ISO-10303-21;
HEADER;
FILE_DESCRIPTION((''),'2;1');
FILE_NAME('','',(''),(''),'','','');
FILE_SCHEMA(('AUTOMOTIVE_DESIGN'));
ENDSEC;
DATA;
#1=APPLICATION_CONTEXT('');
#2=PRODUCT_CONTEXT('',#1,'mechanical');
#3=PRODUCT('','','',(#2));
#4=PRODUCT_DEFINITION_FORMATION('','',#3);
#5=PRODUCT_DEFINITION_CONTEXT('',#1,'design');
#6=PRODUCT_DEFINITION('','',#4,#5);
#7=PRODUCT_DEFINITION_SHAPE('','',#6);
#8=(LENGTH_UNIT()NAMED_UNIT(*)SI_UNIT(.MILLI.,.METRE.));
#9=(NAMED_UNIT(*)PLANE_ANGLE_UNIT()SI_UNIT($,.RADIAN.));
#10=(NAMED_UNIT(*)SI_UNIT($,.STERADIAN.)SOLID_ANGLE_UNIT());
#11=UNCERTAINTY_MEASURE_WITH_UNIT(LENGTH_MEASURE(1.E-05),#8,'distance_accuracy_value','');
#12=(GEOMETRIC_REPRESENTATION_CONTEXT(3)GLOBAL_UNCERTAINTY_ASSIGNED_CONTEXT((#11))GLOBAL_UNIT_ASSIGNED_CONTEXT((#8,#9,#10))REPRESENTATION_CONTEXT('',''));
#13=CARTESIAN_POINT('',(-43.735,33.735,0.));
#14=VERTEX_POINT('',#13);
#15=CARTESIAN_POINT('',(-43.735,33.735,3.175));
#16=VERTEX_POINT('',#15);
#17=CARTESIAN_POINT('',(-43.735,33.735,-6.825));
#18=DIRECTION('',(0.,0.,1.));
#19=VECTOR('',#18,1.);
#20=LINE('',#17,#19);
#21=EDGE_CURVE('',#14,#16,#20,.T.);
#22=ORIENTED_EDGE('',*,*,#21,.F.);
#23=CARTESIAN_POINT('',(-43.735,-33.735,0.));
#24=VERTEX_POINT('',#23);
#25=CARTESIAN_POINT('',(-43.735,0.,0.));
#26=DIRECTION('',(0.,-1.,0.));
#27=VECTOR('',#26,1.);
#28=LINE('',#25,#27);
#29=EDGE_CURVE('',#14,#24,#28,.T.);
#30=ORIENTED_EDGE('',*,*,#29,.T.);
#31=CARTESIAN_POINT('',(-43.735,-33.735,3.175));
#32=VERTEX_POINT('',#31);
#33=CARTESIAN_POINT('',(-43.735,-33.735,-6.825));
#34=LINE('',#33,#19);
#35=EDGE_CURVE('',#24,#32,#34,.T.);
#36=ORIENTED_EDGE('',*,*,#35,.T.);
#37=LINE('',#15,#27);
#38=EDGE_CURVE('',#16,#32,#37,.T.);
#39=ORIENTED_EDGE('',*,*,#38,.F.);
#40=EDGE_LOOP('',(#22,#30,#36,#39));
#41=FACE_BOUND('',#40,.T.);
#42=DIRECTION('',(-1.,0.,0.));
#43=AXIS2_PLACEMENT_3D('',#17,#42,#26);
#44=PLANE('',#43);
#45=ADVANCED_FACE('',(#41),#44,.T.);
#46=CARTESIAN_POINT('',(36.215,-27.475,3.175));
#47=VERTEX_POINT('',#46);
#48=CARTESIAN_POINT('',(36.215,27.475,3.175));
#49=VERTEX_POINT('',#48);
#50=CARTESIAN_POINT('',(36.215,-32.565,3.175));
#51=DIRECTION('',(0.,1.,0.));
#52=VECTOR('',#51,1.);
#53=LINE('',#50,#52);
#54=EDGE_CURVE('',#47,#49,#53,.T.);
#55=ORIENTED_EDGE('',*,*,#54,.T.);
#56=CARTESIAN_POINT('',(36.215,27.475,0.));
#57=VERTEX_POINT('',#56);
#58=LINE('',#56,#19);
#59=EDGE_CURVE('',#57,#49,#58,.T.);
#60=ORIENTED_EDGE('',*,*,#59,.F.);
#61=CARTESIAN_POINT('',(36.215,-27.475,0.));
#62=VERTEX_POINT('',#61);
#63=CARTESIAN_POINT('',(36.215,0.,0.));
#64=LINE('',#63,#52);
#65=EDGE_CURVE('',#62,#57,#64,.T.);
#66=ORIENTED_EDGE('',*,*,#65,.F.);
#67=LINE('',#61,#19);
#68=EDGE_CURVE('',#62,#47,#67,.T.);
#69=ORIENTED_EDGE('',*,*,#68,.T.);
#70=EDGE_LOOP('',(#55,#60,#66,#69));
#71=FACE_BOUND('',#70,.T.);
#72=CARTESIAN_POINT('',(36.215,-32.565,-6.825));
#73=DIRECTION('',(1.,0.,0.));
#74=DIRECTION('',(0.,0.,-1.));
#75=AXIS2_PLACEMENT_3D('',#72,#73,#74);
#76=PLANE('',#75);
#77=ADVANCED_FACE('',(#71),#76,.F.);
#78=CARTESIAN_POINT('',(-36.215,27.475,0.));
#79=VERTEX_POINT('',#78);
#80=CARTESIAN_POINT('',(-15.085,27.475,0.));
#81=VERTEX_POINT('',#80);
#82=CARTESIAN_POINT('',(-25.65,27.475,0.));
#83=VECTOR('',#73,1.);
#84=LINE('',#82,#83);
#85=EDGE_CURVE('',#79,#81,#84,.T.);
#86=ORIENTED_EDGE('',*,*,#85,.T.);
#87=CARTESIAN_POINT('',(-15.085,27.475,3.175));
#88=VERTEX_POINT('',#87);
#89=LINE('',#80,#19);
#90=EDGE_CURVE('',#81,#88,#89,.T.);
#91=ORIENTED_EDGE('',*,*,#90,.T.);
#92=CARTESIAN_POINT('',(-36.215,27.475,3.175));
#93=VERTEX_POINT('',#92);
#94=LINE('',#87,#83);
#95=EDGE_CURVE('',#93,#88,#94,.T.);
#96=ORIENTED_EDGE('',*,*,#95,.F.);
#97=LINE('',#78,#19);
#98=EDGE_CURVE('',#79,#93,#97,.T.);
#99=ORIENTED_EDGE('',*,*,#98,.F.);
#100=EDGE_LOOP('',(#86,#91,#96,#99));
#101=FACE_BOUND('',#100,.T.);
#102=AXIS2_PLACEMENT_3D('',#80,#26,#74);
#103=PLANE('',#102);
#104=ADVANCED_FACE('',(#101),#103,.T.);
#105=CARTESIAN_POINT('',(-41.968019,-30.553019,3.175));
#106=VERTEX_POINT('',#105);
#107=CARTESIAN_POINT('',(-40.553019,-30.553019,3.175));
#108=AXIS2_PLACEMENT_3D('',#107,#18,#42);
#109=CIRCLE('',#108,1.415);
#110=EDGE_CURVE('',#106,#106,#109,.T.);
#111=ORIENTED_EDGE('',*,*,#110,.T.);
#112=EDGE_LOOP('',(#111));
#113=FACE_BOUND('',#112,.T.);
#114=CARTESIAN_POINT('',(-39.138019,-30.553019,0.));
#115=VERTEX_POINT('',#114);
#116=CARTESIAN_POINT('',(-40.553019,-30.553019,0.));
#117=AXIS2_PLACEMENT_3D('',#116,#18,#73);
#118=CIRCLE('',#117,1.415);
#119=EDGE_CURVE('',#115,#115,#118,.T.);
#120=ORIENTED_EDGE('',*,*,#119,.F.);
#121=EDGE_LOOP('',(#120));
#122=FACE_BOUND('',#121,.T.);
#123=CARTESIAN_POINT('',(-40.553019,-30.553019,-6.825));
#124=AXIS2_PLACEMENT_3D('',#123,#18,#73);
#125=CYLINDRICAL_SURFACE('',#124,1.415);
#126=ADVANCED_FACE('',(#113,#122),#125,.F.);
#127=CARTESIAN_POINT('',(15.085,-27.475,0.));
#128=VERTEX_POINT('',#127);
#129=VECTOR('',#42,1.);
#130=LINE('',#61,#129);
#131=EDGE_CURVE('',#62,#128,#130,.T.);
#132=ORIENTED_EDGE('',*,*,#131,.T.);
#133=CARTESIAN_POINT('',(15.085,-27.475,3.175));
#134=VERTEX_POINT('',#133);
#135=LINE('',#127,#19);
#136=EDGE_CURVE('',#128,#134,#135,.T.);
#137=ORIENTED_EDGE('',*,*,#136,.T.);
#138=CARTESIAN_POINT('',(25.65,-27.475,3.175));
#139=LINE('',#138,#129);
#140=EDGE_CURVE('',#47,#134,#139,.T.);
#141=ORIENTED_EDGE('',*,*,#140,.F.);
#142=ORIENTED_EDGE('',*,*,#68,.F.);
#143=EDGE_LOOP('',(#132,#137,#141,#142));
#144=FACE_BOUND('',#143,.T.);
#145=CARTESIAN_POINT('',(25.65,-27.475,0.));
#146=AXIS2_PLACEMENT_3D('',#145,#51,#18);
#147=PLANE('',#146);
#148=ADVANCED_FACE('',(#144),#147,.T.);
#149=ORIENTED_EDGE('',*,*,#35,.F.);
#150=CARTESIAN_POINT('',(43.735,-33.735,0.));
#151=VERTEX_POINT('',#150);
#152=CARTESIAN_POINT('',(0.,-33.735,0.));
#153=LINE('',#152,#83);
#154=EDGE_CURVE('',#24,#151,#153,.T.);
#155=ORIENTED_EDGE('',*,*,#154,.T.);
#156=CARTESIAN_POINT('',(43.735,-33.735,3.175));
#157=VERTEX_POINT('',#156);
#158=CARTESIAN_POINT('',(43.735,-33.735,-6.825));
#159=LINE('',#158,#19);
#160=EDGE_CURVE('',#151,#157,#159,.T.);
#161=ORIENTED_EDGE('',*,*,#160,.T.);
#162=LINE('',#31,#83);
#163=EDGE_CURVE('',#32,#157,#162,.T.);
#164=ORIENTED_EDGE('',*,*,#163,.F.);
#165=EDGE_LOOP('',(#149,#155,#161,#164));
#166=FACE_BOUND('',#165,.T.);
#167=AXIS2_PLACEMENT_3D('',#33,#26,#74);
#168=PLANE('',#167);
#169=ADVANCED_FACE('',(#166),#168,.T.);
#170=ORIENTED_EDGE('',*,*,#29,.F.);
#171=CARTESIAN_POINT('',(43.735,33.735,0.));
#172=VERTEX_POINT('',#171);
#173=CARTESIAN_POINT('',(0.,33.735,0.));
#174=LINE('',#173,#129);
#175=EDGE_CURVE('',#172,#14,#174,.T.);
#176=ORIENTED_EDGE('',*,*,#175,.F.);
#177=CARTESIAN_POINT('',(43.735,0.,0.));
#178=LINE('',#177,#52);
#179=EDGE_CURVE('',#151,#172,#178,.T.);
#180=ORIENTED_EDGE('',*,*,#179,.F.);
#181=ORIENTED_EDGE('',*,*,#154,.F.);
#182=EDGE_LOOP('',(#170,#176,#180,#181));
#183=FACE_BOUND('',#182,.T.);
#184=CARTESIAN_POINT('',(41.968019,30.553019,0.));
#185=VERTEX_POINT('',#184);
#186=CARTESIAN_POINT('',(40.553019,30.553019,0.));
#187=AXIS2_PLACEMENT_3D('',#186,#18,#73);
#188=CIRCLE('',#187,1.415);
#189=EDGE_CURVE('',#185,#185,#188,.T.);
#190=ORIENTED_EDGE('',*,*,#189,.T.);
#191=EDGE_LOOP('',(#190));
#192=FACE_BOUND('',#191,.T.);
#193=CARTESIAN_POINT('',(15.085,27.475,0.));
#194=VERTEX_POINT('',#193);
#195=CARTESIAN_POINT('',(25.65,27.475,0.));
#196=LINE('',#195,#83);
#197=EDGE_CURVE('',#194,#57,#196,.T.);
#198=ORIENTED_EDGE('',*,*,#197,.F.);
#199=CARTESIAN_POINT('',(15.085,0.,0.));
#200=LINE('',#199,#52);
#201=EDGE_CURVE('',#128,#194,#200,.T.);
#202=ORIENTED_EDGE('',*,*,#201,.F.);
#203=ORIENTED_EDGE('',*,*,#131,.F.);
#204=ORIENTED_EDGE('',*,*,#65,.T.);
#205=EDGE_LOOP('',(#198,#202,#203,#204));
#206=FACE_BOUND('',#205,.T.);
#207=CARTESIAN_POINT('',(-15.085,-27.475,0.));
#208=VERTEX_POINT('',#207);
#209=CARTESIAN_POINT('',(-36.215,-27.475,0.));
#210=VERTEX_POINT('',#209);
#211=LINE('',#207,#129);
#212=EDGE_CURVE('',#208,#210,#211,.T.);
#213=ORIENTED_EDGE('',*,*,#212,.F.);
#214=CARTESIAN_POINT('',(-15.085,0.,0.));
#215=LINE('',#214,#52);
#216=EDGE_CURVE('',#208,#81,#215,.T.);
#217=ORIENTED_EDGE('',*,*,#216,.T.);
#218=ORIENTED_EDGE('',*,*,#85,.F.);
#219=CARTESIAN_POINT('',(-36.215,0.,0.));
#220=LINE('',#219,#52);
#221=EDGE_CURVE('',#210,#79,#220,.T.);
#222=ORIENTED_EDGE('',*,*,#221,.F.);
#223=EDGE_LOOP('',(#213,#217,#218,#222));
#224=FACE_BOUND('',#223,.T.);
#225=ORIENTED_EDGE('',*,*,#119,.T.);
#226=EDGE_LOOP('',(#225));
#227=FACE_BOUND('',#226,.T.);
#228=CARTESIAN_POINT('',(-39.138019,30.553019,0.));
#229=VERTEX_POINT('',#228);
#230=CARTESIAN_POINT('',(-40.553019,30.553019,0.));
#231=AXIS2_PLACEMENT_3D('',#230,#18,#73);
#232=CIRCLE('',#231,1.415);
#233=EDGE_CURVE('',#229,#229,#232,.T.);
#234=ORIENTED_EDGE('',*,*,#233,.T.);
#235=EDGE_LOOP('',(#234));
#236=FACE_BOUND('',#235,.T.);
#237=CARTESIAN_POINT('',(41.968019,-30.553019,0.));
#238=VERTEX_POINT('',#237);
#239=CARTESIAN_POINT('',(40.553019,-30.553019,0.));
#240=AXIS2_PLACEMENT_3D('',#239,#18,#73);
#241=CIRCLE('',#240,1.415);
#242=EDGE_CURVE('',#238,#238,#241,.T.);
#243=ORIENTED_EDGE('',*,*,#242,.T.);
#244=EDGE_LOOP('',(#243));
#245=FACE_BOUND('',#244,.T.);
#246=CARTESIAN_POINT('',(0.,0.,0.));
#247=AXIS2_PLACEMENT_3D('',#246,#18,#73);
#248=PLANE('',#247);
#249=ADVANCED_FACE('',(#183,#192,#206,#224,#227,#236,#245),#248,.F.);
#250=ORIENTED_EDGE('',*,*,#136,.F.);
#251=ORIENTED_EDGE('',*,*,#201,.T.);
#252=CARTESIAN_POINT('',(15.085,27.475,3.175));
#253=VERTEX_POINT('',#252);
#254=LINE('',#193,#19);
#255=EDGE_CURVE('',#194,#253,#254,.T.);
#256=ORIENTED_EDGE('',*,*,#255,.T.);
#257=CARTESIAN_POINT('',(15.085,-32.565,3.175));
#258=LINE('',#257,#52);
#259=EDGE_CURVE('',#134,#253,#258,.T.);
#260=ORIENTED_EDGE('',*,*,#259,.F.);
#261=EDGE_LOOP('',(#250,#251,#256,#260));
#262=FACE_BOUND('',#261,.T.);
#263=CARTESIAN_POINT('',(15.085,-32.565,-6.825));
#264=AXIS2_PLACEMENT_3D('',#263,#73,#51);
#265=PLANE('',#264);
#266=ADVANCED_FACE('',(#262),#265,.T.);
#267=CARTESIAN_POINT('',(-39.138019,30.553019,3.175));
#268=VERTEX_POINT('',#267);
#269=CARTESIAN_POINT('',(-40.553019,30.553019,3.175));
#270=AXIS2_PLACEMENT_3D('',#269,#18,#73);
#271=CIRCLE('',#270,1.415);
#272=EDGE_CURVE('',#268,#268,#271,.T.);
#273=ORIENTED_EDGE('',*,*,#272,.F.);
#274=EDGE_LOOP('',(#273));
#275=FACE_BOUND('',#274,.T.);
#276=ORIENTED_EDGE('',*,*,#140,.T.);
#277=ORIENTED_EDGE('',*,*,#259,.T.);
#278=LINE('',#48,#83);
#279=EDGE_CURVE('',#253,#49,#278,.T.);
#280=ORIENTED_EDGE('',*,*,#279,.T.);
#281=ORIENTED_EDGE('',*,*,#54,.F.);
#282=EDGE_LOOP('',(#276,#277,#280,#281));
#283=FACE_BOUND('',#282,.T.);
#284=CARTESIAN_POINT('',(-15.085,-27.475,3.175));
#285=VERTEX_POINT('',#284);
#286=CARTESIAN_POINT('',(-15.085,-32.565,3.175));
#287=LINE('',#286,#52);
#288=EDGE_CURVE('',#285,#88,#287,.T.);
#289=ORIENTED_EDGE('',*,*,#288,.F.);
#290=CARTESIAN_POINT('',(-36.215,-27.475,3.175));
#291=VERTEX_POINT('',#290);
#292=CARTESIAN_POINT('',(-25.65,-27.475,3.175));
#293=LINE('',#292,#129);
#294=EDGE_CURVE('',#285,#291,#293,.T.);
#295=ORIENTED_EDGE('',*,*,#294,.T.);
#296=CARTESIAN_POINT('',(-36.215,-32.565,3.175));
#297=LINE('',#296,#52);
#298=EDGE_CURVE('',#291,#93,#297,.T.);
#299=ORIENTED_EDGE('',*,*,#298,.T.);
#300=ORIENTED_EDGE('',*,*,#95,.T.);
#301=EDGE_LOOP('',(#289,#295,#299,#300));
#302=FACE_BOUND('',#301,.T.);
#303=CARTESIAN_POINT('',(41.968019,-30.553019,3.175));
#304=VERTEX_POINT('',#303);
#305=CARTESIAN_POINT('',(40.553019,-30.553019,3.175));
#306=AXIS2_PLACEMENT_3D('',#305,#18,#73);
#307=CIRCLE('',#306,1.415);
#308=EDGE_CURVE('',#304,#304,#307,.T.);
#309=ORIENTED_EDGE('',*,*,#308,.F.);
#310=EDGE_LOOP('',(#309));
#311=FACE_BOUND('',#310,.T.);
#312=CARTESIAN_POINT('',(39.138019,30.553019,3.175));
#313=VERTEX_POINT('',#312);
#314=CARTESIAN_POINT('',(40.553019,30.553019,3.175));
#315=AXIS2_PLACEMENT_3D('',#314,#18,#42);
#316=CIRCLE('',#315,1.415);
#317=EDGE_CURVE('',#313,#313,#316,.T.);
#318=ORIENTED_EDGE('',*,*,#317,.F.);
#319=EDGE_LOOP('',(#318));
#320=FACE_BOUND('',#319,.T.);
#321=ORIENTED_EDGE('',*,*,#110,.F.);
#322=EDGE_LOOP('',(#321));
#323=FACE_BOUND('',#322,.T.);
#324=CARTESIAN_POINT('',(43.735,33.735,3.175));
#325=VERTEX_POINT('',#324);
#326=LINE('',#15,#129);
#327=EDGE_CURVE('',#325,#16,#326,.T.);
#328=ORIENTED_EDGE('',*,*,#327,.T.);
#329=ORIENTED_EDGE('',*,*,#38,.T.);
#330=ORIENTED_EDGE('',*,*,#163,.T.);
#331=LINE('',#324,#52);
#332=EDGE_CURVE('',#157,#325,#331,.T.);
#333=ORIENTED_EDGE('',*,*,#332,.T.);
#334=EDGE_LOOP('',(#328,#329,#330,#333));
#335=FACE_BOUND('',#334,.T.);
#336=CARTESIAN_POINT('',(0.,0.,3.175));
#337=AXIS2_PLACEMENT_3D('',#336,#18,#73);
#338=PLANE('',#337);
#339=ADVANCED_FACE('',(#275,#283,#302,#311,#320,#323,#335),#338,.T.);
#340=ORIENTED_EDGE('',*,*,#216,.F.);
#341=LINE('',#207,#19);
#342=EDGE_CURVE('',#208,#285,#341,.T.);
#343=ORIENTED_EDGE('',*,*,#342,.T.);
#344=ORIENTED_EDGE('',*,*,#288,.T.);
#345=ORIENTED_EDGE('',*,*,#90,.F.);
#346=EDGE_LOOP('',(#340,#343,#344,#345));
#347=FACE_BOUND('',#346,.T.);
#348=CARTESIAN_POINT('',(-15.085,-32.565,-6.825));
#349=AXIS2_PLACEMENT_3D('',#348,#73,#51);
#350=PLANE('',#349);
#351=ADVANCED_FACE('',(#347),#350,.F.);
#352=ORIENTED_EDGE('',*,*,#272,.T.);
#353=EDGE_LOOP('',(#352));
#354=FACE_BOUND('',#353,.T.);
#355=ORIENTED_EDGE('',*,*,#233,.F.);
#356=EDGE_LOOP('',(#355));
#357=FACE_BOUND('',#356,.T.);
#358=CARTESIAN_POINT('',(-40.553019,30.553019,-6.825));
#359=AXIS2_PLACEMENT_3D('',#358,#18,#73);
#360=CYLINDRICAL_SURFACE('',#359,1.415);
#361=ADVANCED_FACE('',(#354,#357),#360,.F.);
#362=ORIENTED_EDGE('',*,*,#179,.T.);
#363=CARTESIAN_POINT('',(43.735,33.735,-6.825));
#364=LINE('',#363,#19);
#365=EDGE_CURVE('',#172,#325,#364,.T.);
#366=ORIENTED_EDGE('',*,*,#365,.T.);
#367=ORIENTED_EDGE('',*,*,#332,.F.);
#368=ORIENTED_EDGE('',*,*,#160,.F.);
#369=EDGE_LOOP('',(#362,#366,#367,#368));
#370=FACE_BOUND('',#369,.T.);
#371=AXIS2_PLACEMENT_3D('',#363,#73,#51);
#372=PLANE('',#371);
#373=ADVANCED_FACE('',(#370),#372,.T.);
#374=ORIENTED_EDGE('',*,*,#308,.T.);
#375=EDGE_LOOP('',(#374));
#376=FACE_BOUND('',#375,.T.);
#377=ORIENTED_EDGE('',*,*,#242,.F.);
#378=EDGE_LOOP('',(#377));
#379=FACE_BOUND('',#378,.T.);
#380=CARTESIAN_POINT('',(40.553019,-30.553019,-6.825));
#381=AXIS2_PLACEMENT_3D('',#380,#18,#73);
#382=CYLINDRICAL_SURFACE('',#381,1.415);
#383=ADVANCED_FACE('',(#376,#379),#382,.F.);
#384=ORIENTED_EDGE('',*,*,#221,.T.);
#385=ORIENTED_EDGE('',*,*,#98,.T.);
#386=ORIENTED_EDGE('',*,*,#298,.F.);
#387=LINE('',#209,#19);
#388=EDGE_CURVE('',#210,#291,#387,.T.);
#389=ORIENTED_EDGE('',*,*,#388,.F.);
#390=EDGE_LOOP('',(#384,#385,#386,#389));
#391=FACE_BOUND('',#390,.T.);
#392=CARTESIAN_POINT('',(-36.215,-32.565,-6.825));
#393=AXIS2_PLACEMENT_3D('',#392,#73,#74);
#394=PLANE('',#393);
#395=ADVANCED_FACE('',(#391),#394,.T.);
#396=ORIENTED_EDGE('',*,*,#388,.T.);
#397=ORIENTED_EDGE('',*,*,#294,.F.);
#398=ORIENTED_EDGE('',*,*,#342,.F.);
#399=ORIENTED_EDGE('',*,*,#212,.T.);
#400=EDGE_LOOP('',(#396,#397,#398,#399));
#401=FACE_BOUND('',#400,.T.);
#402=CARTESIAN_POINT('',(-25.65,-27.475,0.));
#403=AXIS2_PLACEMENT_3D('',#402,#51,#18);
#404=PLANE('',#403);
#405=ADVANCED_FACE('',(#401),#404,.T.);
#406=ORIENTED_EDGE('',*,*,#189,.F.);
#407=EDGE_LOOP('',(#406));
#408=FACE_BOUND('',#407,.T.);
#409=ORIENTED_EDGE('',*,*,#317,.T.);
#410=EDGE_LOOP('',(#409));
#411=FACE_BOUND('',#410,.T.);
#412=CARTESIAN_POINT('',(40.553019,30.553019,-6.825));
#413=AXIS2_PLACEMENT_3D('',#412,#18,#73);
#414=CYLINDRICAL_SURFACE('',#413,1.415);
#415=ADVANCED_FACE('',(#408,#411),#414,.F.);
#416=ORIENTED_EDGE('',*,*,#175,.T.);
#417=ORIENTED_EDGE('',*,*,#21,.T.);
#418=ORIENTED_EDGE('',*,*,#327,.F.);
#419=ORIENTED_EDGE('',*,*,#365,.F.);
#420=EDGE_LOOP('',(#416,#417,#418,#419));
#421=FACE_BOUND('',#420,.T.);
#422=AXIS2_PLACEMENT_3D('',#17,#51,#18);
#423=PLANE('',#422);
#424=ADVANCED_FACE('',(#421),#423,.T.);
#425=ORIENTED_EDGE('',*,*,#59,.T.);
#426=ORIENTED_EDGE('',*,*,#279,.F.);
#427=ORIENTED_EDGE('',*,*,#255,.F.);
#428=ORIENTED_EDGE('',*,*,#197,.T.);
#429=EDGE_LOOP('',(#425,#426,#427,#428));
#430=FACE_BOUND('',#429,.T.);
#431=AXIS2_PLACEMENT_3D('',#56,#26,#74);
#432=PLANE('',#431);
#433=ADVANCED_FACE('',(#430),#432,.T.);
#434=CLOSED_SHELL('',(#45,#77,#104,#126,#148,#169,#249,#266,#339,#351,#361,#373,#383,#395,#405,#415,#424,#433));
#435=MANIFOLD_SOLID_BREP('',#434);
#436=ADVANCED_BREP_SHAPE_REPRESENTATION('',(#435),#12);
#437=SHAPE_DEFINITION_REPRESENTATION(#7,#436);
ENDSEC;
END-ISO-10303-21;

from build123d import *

# Parameters (mm, degrees)
SKETCH1_W           = 100
SKETCH1_H           = 80
BOSS_EXTRUDE1_DEPTH = 3.175
SKETCH4_W           = 100.51
SKETCH4_H           = 80.51
SKETCH4_W_2         = 87.47
SKETCH4_H_2         = 67.47
CUT_EXTRUDE3_DEPTH  = 10
SKETCH5_R           = 1.415
CUT_EXTRUDE4_DEPTH  = 10
SKETCH2_W           = 21.13
SKETCH2_H           = 65.13
CUT_EXTRUDE5_DEPTH  = 10
BOSS_EXTRUDE2_DEPTH = 3.175


with BuildPart() as part:
    # Sketch1 → Boss-Extrude1 (new body)
    with BuildSketch(Plane.XY):
        Rectangle(SKETCH1_W, SKETCH1_H)
    extrude(amount=BOSS_EXTRUDE1_DEPTH)

    # Sketch4 → Cut-Extrude3 (cut)
    with BuildSketch(Plane.XY.offset(3.175)):
        Rectangle(SKETCH4_W, SKETCH4_H)
        Rectangle(SKETCH4_W_2, SKETCH4_H_2, mode=Mode.SUBTRACT)
    extrude(amount=-CUT_EXTRUDE3_DEPTH, mode=Mode.SUBTRACT)

    # Sketch5 → Cut-Extrude4 (cut)
    with BuildSketch(Plane.XY.offset(3.175)):
        with Locations((-40.553019485, 30.553019485)):
            Circle(SKETCH5_R)
        with Locations((-40.553019485, -30.553019485)):
            Circle(SKETCH5_R)
        with Locations((40.553019485, -30.553019485)):
            Circle(SKETCH5_R)
        with Locations((40.553019485, 30.553019485)):
            Circle(SKETCH5_R)
    extrude(amount=-CUT_EXTRUDE4_DEPTH, mode=Mode.SUBTRACT)

    # Sketch2 → Cut-Extrude5 (cut)
    with BuildSketch(Plane.XY.offset(3.175)):
        with Locations((-25.65, 0)):
            Rectangle(SKETCH2_W, SKETCH2_H)
        with Locations((25.65, 0)):
            Rectangle(SKETCH2_W, SKETCH2_H)
    extrude(amount=-CUT_EXTRUDE5_DEPTH, mode=Mode.SUBTRACT)

    # Sketch6 → Boss-Extrude2 (add)
    with BuildSketch(Plane.XY.offset(3.175)):
        Polygon((-25.65, -32.565), (-15.085, -32.565), (-15.085, -27.475), (-25.65, -27.475), (-36.215, -27.475), (-36.215, -32.565), align=None)
        Polygon((25.65, -32.565), (36.215, -32.565), (36.215, -27.475), (25.65, -27.475), (15.085, -27.475), (15.085, -32.565), align=None)
        Polygon((15.085, 27.475), (15.085, 32.565), (25.65, 32.565), (36.215, 32.565), (36.215, 27.475), (25.65, 27.475), align=None)
        Polygon((-36.215, 27.475), (-36.215, 32.565), (-25.65, 32.565), (-15.085, 32.565), (-15.085, 27.475), (-25.65, 27.475), align=None)
    extrude(amount=-BOSS_EXTRUDE2_DEPTH)


solid = part.part
